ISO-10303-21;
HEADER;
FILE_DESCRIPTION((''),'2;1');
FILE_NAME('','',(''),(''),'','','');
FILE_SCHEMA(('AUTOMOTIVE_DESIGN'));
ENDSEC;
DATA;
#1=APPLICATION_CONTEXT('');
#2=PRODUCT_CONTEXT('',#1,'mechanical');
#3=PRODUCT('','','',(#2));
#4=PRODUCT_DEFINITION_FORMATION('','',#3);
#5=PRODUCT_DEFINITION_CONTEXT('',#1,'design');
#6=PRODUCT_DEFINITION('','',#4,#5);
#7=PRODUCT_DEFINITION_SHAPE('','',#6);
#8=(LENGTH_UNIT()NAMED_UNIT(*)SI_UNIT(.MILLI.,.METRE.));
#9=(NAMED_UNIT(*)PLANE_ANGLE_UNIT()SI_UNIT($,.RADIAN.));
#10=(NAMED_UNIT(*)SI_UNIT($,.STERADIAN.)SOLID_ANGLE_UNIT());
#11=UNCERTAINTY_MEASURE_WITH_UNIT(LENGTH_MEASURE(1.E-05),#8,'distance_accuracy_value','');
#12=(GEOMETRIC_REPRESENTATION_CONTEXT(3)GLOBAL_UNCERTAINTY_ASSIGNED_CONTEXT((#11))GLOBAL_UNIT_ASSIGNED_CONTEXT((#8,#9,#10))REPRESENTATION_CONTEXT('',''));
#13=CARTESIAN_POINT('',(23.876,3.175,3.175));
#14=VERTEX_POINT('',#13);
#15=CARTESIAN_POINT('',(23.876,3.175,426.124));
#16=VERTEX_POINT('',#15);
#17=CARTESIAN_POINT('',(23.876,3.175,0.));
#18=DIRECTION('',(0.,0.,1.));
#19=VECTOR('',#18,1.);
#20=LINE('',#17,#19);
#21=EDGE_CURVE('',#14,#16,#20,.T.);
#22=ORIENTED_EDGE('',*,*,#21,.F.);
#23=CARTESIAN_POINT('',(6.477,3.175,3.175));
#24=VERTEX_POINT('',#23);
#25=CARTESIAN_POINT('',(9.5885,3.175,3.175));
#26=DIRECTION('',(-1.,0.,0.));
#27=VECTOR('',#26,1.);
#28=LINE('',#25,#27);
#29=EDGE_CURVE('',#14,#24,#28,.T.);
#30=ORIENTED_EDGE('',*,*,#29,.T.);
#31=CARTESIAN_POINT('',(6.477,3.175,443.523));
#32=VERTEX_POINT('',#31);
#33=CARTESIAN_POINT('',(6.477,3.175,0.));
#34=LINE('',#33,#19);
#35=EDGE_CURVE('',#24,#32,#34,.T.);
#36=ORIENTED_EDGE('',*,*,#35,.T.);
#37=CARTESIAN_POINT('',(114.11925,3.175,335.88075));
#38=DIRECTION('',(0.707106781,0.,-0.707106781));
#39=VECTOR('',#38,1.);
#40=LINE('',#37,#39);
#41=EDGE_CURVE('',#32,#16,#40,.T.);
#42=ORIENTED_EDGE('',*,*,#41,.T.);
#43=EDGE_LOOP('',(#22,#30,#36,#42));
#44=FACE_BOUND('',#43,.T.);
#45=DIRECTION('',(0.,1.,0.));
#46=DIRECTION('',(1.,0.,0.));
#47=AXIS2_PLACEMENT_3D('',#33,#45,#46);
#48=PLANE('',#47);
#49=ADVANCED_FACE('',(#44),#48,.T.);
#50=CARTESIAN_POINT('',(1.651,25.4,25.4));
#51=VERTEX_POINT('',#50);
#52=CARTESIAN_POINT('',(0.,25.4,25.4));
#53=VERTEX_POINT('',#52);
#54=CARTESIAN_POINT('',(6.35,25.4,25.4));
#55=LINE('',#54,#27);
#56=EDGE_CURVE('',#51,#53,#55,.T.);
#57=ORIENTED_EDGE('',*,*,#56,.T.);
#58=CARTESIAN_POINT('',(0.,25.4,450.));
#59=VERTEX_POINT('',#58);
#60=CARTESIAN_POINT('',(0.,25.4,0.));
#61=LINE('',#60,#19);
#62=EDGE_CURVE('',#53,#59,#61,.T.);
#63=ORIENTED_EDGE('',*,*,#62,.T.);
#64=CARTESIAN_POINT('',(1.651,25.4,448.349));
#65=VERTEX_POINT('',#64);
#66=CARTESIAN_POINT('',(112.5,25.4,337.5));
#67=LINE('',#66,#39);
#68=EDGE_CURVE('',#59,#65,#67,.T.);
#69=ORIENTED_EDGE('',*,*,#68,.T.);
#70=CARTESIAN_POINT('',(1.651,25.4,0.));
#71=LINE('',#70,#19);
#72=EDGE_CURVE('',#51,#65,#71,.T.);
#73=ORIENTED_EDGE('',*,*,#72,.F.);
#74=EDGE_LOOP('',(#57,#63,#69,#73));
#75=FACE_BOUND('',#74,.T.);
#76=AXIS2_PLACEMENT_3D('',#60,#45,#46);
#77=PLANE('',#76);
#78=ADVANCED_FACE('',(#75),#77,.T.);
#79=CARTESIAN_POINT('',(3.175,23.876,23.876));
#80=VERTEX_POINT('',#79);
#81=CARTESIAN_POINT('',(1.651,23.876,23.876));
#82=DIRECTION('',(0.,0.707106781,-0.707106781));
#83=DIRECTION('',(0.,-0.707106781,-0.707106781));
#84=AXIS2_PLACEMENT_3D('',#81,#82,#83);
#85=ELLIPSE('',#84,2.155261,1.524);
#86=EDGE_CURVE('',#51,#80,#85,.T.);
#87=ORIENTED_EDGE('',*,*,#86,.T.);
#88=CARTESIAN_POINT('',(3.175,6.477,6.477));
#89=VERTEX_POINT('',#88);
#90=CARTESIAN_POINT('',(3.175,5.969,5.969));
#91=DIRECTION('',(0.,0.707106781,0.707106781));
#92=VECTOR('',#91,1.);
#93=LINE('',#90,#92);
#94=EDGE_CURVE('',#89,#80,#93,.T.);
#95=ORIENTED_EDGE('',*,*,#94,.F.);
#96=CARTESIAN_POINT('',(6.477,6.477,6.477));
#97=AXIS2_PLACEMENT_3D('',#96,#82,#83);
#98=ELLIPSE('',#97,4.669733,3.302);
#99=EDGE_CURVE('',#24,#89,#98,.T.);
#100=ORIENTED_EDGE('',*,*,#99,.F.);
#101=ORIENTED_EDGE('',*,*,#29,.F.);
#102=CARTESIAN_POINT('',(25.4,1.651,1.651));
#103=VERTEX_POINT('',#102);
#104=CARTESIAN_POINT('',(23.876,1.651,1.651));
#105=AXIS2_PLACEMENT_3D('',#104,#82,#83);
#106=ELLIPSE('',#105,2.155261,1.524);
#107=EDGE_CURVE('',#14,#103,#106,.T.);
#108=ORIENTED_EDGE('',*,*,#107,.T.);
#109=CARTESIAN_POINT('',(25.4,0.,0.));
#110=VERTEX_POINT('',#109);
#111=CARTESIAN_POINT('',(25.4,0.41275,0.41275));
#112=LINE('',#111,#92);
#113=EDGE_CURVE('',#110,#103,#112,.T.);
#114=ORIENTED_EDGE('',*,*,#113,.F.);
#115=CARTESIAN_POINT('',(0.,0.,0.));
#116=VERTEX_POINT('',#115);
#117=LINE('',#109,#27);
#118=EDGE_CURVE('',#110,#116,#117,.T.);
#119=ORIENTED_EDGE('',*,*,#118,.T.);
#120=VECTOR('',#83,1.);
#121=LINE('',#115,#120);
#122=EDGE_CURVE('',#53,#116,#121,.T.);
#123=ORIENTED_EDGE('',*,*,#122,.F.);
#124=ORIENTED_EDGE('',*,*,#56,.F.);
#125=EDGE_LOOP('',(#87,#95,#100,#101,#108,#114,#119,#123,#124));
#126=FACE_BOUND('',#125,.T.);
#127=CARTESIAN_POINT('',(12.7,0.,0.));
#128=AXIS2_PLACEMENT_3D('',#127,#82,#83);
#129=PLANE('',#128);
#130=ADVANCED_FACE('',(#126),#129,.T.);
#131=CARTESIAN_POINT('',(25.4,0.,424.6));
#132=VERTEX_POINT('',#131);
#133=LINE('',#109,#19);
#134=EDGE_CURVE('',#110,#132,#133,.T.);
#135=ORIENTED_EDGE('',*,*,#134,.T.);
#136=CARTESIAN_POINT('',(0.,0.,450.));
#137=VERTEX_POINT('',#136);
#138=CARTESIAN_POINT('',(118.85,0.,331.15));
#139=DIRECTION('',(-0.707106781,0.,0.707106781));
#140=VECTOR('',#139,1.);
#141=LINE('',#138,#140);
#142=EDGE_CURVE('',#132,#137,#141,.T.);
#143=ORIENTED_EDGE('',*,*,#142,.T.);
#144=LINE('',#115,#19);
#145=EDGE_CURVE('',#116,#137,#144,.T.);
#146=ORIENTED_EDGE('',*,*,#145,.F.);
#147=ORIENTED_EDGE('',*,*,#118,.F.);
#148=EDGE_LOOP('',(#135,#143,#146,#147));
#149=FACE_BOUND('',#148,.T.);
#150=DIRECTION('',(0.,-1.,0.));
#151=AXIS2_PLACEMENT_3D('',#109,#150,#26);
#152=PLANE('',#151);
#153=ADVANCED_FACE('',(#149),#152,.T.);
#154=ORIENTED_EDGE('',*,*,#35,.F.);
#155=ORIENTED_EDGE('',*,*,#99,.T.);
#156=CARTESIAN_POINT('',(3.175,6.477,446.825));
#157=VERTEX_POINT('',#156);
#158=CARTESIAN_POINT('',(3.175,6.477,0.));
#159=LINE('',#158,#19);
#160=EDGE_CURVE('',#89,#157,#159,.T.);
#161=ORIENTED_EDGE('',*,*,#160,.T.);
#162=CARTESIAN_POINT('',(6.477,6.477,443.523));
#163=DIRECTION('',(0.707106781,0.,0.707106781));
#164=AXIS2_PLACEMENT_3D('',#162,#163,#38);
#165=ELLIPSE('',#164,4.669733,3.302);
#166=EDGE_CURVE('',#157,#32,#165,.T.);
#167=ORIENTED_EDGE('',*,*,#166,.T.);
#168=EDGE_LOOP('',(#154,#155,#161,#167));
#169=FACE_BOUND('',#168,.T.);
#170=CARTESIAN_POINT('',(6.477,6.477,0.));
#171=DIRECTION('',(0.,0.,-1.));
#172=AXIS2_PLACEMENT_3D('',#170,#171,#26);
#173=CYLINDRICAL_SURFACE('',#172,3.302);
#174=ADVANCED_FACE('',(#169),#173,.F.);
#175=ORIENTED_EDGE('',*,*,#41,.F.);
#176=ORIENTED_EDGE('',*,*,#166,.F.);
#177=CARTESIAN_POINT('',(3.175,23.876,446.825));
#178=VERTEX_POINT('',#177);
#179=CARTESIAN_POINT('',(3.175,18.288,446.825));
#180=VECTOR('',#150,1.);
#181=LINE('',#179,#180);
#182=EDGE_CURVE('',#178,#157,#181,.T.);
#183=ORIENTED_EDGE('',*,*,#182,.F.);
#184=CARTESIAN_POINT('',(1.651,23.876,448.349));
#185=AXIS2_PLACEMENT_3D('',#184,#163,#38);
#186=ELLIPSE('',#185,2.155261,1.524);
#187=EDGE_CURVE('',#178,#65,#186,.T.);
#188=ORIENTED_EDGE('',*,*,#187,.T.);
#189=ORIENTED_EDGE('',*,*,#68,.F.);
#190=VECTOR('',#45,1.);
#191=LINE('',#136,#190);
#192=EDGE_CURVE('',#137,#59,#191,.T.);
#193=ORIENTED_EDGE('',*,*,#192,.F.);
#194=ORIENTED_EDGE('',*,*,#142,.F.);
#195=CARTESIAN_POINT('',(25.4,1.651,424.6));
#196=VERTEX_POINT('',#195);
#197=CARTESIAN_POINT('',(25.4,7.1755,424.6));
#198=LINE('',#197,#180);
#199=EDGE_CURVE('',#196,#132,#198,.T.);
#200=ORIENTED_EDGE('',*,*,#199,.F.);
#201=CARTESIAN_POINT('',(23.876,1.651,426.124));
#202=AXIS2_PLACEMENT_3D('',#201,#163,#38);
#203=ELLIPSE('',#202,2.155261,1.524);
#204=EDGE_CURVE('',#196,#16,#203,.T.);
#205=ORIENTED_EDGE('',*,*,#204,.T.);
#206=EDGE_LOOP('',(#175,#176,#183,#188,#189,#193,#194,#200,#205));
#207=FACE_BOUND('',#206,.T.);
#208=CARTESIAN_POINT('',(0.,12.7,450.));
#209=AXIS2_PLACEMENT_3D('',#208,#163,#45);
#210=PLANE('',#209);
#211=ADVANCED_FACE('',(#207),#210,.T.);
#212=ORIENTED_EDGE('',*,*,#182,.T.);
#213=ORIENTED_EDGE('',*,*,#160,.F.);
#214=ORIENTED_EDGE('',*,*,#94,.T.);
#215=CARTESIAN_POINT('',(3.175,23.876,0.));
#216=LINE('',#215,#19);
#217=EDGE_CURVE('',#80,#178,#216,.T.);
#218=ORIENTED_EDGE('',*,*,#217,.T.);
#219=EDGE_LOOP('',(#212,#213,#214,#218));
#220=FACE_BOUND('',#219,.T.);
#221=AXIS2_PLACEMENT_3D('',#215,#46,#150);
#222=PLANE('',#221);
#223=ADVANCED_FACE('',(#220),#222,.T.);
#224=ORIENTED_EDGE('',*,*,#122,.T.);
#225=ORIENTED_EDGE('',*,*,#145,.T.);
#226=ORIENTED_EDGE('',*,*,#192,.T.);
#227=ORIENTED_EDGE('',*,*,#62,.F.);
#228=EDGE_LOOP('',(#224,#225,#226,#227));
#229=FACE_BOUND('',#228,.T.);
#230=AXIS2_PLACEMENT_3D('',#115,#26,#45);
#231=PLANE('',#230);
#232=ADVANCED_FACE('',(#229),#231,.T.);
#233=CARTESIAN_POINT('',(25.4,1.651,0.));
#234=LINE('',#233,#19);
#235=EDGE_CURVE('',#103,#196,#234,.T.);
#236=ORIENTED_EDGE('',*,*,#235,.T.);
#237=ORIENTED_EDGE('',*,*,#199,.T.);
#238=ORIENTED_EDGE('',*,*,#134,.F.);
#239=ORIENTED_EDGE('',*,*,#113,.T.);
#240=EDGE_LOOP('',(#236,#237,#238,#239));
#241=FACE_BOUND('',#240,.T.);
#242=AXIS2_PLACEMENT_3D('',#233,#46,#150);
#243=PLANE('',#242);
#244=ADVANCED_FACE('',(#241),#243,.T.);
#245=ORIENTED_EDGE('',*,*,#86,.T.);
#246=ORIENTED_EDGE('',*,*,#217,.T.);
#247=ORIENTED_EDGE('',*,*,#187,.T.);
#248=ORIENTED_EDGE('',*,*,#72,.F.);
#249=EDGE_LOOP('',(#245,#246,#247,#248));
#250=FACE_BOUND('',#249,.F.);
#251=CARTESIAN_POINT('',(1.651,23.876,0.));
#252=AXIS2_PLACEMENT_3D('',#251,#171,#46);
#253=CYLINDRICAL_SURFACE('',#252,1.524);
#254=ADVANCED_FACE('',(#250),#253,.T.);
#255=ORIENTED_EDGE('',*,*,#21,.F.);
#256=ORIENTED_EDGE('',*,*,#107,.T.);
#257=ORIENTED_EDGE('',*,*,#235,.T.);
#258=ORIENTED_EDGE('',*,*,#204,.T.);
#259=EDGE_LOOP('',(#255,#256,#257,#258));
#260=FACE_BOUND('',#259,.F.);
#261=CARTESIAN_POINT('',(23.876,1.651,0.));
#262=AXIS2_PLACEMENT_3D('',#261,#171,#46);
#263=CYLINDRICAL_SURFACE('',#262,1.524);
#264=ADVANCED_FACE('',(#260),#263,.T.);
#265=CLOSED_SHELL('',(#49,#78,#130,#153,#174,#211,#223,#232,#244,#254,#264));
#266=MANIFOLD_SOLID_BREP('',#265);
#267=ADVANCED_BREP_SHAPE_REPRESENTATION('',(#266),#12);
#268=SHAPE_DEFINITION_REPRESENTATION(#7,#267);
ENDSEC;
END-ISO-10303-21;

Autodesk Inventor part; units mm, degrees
ref_plane "Start Plane" through (0, 0, 0) normal (0, 0, 1) x (1, 0, 0)
ref_plane "End Plane" through (0, 0, 450) normal (0, 0, 1) x (1, 0, 0)
sketch "Sketch" plane through (0, 0, 0) normal (0, 0, 1) x (1, 0, 0)
  line L0 (25.4, 0) -> (0, 0)
  line L1 (0, 0) -> (0, 25.4)
  line L2 (0, 25.4) -> (1.651, 25.4)
  line L3 (3.175, 23.876) -> (3.175, 6.477)
  line L4 (6.477, 3.175) -> (23.876, 3.175)
  line L5 (25.4, 1.651) -> (25.4, 0)
  line L6 (0, -11.0414) -> (0, 31.5385) construction
  line L7 (-11.0414, 0) -> (31.5385, 0) construction
  arc A0 (3.175, 6.477) -> (6.477, 3.175) centre (6.477, 6.477) ccw
  arc A1 (3.175, 23.876) -> (1.651, 25.4) centre (1.651, 23.876) ccw
  arc A2 (25.4, 1.651) -> (23.876, 3.175) centre (23.876, 1.651) ccw
  line L8 (0, 40.0545) -> (0, -19.5574) construction
  line L9 (-19.5574, 0) -> (40.0545, 0) construction
  point P0 (3.175, 25.4)
  point P1 (3.175, 3.175)
  point P2 (25.4, 3.175)
  dimension "d0" = 25.4
  dimension "d1" = 25.4
  dimension "d2" = 3.175
  dimension "d3" = 3.175
  dimension "d10" = 0
  dimension "d11" = 0
  dimension "d14" = 3.302
  dimension "d15" = 1.524
extrude "Body" add sketch "Sketch" along normal up to surface (450 mm away) from surface at 0
sketch "Sketch3" plane through (0, 0, 0) normal (0, 0, 1) x (1, 0, 0)
  line L0 (0, 0) -> (10, 0)
ref_plane "Work Plane3" through (0, 0, 0) normal (0, -1, 0) x (1, 0, 0)
ref_plane "Work Plane5" through (0, 12.7, 450) normal (0.7071, 0, 0.7071) x (0.7071, 0, -0.7071)
split "Split2" plane through (0, 12.7, 450) removes the side toward (0.7071, 0, 0.7071)
ref_plane "Work Plane6" through (12.7, 0, 0) normal (0, 0.7071, -0.7071) x (1, 0, 0)
split "Split3" plane through (12.7, 0, 0) removes the side toward (0, 0.7071, -0.7071)
sketch "Sketch4" plane through (0, 0, 0) normal (0, -1, 0) x (1, 0, 0)
  line L0 (-2, 0) -> (12, 0) projected
  line L1 (-2, 450) -> (12, 450) projected
  dimension "d17" = 450
equation "\"d0\" = G_H"
equation "\"d1\" = G_H"
equation "\"d2\" = G_T"
equation "\"d3\" = G_T"
equation "\"d14\" = G_IR"
equation "\"d15\" = G_ER"
equation "\"d4\" = G_L"
equation "\"G_H\" = 25.4"
equation "\"G_T\" = 3.175"
equation "\"G_ER\" = 1.524"
equation "\"G_IR\" = 3.302"
equation "\"G_L\" = d17"
equation "\"ex\" = 0"
equation "\"G_OFFSET_START\" = 0"
equation "\"G_OFFSET_END\" = 0"
equation "\"d13\" = G_OFFSET_END + B_L"
equation "\"B_L\" = 450"
properties part number "AISC - L 1 x 1 x 1/8 - 17.717" material "Steel, Mild"
